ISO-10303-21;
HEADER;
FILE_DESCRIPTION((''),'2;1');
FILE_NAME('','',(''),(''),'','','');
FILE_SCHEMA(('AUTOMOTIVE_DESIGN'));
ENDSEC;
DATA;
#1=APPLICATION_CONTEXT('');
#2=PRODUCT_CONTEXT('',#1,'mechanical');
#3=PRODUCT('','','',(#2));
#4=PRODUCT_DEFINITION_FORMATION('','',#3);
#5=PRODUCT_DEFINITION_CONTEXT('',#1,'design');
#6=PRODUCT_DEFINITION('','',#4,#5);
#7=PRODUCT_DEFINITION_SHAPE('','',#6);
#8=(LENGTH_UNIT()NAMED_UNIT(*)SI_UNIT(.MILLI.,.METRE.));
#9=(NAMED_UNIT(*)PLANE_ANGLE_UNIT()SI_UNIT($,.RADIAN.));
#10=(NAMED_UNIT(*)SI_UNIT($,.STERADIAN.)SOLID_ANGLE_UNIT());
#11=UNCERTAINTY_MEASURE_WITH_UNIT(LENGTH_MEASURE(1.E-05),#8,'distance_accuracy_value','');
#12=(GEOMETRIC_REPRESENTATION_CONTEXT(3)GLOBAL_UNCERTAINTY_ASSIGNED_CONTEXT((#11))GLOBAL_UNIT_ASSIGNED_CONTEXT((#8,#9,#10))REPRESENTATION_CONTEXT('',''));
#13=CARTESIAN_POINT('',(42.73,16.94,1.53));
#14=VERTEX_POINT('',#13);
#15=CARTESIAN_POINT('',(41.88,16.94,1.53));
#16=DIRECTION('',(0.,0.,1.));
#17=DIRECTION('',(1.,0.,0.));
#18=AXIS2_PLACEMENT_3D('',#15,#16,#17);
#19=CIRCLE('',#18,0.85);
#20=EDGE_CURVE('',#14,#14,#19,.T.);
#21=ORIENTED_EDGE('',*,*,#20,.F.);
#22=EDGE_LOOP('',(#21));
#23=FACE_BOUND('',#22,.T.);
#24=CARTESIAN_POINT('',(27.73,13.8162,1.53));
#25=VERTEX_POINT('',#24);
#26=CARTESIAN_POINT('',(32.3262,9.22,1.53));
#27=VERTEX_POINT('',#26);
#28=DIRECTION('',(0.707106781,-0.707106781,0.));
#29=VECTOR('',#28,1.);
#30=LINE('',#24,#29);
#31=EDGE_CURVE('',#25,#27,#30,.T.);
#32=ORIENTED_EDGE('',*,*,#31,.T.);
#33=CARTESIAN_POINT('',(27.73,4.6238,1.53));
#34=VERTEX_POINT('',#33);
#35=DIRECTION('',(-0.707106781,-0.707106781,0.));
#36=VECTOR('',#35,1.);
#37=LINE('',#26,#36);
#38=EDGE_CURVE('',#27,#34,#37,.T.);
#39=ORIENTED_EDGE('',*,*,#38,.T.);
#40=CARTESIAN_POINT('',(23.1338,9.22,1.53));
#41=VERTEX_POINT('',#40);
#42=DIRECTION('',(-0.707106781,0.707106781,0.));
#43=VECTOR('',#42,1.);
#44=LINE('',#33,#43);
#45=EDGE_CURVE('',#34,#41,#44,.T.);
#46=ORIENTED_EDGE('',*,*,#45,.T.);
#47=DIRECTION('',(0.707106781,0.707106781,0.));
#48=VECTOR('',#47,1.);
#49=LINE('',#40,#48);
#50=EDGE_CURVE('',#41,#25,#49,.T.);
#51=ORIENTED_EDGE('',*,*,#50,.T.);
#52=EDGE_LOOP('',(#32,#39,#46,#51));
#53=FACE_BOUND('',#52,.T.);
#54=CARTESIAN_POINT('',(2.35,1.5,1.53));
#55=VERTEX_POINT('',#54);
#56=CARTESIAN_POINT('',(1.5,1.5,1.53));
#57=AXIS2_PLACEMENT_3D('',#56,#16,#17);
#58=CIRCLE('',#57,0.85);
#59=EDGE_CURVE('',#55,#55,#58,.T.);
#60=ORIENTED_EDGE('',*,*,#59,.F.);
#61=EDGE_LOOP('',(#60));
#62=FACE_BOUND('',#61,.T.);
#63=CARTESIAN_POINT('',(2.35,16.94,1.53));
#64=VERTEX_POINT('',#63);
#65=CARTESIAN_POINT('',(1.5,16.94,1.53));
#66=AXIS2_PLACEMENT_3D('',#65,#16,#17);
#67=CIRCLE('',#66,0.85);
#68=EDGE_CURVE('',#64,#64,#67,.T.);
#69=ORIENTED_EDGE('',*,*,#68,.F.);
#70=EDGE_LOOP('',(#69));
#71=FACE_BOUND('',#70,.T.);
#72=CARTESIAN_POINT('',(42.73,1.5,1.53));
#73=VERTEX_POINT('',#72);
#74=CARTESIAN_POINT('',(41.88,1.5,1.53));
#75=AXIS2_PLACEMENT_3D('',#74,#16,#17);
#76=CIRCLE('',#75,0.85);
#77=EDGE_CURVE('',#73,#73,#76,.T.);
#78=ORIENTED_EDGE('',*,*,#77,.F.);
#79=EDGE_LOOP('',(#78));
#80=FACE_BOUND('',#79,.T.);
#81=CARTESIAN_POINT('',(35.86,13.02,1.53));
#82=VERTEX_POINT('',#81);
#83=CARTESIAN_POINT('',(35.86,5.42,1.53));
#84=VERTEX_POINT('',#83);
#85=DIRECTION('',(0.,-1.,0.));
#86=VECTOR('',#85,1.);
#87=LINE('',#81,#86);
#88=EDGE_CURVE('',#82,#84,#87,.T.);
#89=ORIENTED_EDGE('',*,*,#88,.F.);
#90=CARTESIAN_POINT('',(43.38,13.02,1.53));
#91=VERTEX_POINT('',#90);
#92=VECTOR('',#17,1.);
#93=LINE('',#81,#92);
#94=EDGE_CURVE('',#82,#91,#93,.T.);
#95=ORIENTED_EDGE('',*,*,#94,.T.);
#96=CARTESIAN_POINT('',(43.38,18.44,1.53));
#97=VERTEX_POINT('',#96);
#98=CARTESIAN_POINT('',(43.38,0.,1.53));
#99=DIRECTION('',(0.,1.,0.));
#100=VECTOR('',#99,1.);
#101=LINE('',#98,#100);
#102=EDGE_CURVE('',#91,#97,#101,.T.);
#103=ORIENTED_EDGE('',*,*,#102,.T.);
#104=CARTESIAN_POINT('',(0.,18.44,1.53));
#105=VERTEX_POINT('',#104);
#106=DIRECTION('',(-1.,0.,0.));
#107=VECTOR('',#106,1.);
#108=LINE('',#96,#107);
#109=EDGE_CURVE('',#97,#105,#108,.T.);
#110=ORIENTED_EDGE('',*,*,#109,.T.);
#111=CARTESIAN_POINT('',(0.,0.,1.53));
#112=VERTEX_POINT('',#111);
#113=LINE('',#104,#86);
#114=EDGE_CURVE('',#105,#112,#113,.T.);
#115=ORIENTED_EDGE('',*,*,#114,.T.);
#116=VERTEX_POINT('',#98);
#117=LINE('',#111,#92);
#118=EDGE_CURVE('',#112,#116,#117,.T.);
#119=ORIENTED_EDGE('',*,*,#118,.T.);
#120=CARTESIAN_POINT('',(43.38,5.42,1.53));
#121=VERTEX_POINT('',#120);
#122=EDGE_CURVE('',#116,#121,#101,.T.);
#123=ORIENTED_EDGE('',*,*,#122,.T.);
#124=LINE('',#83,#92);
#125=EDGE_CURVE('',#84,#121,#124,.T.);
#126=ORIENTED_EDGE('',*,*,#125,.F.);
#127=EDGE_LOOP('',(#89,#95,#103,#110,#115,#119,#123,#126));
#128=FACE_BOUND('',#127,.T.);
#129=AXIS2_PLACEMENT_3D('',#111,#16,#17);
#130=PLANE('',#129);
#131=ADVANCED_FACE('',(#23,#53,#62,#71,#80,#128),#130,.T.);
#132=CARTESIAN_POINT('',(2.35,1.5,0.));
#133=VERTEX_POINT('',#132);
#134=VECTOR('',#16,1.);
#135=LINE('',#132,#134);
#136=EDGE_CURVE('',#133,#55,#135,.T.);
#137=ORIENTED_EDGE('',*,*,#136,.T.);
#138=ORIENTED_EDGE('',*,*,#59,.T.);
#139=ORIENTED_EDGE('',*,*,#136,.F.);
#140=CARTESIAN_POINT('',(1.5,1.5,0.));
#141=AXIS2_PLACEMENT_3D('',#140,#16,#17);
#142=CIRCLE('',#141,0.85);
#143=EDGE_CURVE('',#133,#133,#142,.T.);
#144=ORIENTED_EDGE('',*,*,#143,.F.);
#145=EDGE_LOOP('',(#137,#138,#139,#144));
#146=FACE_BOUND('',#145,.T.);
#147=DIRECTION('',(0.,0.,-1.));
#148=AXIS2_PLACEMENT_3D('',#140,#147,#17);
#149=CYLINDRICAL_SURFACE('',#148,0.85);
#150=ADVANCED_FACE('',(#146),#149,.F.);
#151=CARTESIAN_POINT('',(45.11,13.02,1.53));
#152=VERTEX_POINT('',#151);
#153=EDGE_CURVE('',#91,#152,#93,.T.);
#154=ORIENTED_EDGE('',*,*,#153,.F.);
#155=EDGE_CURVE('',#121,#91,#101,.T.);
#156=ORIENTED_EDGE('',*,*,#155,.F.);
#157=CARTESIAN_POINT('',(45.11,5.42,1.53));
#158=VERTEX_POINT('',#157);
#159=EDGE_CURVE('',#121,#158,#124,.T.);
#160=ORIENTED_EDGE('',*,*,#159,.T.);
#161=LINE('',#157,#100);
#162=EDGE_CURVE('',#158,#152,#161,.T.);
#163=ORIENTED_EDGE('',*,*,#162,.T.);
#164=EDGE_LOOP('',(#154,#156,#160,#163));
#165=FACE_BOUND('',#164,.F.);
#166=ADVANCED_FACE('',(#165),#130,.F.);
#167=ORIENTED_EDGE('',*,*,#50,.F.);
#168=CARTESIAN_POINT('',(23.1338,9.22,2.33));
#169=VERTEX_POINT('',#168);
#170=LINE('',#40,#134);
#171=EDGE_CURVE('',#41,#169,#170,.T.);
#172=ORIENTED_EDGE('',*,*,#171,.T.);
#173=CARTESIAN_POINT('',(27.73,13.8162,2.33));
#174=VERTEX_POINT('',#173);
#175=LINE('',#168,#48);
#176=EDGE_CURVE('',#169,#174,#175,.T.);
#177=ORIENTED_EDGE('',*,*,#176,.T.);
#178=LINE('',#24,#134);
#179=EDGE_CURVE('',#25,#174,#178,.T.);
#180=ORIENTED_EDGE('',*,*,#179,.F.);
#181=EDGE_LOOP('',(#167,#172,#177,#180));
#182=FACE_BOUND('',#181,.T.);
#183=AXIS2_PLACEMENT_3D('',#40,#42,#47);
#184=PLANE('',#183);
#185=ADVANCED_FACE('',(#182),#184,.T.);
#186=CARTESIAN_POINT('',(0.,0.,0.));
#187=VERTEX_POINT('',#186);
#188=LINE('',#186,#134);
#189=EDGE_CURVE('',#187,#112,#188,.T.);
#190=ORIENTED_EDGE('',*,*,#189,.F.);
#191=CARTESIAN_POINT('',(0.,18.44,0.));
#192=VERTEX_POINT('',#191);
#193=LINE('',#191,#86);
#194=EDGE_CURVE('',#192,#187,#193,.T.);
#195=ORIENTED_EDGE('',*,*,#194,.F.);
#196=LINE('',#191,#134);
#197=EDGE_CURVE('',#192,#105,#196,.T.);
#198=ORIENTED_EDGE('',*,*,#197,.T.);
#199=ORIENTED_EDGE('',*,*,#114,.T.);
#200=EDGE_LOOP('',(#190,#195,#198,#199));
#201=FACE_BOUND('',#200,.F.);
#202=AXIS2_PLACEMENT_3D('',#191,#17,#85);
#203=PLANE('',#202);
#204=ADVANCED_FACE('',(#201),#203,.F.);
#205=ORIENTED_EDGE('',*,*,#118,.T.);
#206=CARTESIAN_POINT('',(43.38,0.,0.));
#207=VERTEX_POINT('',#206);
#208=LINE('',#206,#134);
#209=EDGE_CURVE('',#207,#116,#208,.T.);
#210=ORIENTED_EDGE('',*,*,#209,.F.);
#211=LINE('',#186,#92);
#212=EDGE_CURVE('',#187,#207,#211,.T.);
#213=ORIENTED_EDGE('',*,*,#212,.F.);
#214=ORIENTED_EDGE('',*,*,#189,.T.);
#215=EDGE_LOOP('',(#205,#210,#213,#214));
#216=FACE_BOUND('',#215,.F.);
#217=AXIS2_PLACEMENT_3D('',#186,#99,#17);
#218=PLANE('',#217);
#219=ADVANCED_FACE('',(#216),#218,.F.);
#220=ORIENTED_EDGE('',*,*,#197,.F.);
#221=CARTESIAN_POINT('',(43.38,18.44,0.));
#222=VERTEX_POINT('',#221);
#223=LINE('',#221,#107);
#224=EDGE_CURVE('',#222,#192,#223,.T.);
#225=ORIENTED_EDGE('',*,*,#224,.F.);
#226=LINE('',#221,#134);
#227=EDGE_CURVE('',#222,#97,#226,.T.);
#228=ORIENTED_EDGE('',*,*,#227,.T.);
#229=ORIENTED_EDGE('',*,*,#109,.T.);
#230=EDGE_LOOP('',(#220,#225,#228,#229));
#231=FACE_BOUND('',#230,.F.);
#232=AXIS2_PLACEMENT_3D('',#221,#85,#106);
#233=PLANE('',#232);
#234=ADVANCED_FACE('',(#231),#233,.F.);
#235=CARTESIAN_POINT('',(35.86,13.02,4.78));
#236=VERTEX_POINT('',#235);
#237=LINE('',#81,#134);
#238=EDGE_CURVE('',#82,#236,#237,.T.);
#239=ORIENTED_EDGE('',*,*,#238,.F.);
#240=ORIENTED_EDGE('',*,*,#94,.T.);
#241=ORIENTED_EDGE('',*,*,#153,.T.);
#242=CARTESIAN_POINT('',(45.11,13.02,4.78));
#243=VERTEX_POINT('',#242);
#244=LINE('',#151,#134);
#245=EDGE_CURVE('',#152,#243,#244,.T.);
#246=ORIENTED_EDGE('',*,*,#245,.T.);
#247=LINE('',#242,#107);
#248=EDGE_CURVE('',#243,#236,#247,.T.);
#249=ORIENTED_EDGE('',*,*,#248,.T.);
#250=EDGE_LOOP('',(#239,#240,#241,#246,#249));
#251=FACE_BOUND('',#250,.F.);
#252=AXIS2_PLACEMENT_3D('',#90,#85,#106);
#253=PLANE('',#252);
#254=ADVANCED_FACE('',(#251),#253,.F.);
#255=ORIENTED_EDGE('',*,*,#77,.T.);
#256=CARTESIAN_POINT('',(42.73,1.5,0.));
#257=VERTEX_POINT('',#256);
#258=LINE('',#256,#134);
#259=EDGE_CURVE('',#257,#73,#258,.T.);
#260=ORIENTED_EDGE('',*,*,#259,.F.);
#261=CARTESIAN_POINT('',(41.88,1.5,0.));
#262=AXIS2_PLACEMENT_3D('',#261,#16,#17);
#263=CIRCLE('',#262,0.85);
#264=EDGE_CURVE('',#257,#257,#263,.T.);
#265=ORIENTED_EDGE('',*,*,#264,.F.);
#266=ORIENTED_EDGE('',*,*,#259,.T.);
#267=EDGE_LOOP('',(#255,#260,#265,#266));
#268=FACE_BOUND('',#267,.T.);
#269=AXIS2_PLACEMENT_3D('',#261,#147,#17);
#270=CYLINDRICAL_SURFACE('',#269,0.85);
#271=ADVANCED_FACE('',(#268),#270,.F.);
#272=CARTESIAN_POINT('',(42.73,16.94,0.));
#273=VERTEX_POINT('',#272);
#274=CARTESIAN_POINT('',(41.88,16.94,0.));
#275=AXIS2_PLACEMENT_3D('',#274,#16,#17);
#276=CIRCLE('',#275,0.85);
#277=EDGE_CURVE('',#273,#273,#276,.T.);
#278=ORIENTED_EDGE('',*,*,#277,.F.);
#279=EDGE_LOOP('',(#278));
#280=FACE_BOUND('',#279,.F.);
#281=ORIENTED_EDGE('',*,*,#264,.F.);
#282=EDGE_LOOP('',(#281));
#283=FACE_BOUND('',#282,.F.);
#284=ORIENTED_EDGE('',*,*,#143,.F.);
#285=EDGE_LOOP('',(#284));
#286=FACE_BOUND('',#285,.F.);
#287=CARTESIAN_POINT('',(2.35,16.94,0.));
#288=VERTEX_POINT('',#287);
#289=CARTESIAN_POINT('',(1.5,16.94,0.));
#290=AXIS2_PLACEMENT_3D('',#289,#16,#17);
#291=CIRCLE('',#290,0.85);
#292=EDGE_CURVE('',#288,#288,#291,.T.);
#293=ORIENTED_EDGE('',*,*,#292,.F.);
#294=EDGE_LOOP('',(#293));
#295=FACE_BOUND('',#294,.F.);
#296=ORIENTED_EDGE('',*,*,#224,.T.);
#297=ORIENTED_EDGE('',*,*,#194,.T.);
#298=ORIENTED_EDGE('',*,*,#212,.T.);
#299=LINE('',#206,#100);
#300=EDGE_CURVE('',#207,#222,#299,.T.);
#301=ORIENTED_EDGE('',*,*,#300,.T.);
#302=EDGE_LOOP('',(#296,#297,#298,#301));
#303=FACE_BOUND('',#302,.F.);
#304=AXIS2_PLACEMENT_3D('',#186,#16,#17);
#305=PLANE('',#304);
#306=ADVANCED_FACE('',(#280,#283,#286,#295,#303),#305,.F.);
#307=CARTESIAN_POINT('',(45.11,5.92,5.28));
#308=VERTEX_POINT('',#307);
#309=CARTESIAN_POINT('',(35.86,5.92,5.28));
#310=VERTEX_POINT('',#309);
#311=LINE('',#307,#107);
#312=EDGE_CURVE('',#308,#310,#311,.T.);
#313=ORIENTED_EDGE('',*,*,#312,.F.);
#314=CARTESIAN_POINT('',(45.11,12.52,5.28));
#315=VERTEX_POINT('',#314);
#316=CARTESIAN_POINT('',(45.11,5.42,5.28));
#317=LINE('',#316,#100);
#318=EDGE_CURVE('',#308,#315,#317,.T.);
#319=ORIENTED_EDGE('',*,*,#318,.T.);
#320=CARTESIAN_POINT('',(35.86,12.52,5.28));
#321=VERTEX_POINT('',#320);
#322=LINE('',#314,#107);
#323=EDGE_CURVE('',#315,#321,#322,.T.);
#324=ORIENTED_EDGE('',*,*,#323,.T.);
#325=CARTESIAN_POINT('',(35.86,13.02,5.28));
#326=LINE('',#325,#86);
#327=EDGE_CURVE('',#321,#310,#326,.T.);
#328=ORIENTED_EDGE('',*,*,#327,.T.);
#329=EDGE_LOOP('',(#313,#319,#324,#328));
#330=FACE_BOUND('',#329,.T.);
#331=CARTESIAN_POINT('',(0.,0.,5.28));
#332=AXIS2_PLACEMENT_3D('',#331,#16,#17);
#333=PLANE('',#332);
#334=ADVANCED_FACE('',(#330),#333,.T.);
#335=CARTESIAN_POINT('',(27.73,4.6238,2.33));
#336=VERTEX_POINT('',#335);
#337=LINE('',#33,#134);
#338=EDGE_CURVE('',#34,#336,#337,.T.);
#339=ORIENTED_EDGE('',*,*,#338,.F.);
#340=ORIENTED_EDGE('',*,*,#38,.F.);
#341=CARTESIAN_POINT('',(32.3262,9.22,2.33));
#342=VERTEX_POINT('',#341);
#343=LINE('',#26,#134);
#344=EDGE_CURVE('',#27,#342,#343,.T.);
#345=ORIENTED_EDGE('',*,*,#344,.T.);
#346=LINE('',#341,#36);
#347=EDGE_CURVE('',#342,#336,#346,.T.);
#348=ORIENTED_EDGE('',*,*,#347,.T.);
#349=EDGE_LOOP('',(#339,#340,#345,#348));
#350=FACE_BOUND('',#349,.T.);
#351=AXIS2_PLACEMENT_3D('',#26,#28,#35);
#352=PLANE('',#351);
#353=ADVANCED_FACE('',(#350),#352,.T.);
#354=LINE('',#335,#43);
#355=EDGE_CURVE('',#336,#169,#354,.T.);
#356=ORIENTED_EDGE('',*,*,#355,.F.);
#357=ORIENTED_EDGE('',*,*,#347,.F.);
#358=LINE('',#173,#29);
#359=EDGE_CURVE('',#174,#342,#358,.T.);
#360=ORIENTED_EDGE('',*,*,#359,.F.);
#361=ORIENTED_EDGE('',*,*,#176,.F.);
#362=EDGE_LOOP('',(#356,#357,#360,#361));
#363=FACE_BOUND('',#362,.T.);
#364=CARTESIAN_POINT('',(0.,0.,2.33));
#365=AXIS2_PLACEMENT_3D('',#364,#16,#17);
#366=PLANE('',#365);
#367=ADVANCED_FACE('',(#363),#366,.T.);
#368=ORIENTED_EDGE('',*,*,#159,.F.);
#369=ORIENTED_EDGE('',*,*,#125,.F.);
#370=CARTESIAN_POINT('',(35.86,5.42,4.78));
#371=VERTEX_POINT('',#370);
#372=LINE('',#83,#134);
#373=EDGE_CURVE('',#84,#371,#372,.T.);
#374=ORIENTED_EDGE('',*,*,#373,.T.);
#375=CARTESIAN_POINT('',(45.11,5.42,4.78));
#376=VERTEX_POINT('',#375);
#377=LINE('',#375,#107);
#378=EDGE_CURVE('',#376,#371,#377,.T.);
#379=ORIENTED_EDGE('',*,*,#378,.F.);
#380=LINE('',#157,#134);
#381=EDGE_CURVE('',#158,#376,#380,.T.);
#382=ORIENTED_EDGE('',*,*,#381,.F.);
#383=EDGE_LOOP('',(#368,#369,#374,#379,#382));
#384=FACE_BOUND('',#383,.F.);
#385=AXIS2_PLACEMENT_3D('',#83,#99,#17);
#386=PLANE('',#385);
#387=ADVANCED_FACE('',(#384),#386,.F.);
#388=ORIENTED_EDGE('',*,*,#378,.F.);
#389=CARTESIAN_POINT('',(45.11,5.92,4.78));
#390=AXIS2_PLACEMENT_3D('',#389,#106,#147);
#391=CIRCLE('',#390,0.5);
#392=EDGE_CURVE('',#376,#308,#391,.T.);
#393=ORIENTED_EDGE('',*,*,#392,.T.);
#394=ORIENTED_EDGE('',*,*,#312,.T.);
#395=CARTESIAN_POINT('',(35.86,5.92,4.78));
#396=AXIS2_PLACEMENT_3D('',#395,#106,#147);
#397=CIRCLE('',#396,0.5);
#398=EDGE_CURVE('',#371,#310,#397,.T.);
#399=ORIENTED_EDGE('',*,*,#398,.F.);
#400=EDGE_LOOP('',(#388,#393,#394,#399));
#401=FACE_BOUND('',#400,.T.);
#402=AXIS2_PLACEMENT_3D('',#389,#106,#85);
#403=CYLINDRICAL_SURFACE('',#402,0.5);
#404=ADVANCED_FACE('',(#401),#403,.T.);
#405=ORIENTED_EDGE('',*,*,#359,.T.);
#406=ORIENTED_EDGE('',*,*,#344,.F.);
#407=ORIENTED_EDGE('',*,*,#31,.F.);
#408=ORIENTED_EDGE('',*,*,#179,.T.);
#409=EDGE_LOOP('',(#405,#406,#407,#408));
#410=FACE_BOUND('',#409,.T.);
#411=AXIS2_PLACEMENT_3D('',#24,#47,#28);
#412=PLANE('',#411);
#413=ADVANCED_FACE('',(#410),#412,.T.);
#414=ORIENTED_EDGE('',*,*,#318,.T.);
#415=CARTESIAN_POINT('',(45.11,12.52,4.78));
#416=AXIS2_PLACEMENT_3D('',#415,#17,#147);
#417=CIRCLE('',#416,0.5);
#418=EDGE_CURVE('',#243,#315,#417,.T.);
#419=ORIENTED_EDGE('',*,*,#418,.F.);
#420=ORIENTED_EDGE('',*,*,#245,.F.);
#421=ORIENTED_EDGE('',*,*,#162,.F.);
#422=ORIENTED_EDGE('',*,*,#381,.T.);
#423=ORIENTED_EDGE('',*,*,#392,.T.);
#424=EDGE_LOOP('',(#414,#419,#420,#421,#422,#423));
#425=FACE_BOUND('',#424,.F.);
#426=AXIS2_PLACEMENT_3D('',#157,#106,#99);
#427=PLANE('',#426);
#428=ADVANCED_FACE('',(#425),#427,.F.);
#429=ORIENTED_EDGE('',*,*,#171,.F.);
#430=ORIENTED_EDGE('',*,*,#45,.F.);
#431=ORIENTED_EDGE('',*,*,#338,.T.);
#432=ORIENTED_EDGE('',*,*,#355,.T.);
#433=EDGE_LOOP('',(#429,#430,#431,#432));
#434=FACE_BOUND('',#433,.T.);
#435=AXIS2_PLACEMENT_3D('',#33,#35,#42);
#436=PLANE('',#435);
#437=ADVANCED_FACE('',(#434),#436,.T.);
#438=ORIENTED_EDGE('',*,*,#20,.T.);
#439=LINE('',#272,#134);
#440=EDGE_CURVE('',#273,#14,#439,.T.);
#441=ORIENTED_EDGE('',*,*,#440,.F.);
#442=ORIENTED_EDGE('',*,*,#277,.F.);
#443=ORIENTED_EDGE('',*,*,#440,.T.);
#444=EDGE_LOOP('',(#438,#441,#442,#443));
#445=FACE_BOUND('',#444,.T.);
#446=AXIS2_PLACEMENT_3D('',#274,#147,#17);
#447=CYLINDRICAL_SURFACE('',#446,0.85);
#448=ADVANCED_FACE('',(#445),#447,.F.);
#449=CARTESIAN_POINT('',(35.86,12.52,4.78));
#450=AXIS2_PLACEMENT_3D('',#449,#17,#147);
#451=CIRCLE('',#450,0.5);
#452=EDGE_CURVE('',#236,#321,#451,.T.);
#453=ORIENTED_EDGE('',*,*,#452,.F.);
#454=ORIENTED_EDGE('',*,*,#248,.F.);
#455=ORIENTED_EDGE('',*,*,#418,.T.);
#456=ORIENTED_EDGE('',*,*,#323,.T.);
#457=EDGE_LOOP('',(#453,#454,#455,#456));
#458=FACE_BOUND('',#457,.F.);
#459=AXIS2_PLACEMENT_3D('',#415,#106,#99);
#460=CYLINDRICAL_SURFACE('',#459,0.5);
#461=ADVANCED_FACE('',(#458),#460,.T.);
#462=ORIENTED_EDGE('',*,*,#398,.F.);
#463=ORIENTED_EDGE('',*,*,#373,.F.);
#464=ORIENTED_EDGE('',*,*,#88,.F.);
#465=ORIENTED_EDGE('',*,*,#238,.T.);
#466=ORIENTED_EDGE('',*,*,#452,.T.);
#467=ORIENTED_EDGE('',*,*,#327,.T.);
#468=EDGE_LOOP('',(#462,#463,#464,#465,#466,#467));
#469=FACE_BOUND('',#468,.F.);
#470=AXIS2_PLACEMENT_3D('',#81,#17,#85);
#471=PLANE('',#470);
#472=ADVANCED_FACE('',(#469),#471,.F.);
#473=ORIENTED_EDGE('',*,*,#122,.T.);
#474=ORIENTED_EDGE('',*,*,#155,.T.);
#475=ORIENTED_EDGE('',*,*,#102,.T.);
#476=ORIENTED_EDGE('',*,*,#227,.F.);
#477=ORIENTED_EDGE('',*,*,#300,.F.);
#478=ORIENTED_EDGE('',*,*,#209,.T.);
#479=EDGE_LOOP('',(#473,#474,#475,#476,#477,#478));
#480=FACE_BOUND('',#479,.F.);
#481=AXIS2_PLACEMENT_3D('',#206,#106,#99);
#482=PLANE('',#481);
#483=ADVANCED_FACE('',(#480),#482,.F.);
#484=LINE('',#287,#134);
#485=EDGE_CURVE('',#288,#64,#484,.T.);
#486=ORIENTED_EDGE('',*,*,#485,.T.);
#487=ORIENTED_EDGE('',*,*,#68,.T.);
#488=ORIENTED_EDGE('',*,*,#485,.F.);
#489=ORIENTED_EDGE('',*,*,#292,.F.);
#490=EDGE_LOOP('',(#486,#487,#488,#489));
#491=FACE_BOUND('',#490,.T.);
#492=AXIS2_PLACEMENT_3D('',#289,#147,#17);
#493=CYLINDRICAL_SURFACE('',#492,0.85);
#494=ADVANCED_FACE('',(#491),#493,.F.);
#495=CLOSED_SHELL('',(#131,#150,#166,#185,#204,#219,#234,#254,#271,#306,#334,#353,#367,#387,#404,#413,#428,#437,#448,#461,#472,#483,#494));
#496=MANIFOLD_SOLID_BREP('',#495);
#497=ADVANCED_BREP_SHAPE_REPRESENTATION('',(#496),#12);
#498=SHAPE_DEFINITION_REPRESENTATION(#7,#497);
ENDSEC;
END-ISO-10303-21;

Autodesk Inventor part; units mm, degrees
ref_plane "YZ Plane" through (0, 0, 0) normal (1, 0, 0) x (0, 1, 0)
ref_plane "XZ Plane" through (0, 0, 0) normal (0, 1, 0) x (-1, 0, 0)
ref_plane "XY Plane" through (0, 0, 0) normal (0, 0, 1) x (1, 0, 0)
sketch "Sketch1" plane through (0, 0, 0) normal (0, 0, 1) x (1, 0, 0)
  line L0 (0, 0) -> (43.38, 0)
  line L1 (43.38, 0) -> (43.38, 18.44)
  line L2 (43.38, 18.44) -> (0, 18.44)
  line L3 (0, 18.44) -> (0, 0)
  circle A0 centre (1.5, 16.94) radius 0.85
  circle A1 centre (1.5, 1.5) radius 0.85
  circle A2 centre (41.88, 16.94) radius 0.85
  circle A3 centre (41.88, 1.5) radius 0.85
  dimension "d0" = 43.38
  dimension "d1" = 18.44
  dimension "d2" = 1.7
  dimension "d3" = 1.5
  dimension "d4" = 1.5
  dimension "d5" = 1.5
  dimension "d6" = 1.5
extrude "Extrusion1" add sketch "Sketch1" along normal blind 1.53
sketch "Sketch2" plane through (0, 0, 1.53) normal (0, 0, 1) x (1, 0, 0)
  line L0 (23.1338, 9.22) -> (27.73, 13.8162)
  line L1 (27.73, 13.8162) -> (32.3262, 9.22)
  line L2 (32.3262, 9.22) -> (27.73, 4.6238)
  line L3 (27.73, 4.6238) -> (23.1338, 9.22)
  line L4 (0, 0) -> (43.38, 0) projected
  line L5 (0, 18.44) -> (0, 0) projected
  line L6 (43.38, 0) -> (43.38, 18.44) projected
  line L7 (35.86, 5.42) -> (45.11, 5.42)
  line L8 (45.11, 5.42) -> (45.11, 13.02)
  line L9 (45.11, 13.02) -> (35.86, 13.02)
  line L10 (35.86, 13.02) -> (35.86, 5.42)
  point P0 (0, 9.22)
  point P1 (45.11, 9.22)
  dimension "d9" = 45
  dimension "d10" = 6.5
  dimension "d11" = 15.65
  dimension "d12" = 9.25
  dimension "d13" = 7.6
  dimension "d14" = 1.73
extrude "Extrusion2" add sketch "Sketch2" along normal blind 3.75 contours L7 L10 L9 L6 | L6 L9 L8 L7
extrude "Extrusion3" add sketch "Sketch2" along normal blind 0.8 contours L0 L1 L2 L3
fillet "Fillet1" radius 0.5 2 edges at (40.485, 5.42, 5.28) (40.485, 13.02, 5.28)
properties part number "MICROCONTROLLER"
